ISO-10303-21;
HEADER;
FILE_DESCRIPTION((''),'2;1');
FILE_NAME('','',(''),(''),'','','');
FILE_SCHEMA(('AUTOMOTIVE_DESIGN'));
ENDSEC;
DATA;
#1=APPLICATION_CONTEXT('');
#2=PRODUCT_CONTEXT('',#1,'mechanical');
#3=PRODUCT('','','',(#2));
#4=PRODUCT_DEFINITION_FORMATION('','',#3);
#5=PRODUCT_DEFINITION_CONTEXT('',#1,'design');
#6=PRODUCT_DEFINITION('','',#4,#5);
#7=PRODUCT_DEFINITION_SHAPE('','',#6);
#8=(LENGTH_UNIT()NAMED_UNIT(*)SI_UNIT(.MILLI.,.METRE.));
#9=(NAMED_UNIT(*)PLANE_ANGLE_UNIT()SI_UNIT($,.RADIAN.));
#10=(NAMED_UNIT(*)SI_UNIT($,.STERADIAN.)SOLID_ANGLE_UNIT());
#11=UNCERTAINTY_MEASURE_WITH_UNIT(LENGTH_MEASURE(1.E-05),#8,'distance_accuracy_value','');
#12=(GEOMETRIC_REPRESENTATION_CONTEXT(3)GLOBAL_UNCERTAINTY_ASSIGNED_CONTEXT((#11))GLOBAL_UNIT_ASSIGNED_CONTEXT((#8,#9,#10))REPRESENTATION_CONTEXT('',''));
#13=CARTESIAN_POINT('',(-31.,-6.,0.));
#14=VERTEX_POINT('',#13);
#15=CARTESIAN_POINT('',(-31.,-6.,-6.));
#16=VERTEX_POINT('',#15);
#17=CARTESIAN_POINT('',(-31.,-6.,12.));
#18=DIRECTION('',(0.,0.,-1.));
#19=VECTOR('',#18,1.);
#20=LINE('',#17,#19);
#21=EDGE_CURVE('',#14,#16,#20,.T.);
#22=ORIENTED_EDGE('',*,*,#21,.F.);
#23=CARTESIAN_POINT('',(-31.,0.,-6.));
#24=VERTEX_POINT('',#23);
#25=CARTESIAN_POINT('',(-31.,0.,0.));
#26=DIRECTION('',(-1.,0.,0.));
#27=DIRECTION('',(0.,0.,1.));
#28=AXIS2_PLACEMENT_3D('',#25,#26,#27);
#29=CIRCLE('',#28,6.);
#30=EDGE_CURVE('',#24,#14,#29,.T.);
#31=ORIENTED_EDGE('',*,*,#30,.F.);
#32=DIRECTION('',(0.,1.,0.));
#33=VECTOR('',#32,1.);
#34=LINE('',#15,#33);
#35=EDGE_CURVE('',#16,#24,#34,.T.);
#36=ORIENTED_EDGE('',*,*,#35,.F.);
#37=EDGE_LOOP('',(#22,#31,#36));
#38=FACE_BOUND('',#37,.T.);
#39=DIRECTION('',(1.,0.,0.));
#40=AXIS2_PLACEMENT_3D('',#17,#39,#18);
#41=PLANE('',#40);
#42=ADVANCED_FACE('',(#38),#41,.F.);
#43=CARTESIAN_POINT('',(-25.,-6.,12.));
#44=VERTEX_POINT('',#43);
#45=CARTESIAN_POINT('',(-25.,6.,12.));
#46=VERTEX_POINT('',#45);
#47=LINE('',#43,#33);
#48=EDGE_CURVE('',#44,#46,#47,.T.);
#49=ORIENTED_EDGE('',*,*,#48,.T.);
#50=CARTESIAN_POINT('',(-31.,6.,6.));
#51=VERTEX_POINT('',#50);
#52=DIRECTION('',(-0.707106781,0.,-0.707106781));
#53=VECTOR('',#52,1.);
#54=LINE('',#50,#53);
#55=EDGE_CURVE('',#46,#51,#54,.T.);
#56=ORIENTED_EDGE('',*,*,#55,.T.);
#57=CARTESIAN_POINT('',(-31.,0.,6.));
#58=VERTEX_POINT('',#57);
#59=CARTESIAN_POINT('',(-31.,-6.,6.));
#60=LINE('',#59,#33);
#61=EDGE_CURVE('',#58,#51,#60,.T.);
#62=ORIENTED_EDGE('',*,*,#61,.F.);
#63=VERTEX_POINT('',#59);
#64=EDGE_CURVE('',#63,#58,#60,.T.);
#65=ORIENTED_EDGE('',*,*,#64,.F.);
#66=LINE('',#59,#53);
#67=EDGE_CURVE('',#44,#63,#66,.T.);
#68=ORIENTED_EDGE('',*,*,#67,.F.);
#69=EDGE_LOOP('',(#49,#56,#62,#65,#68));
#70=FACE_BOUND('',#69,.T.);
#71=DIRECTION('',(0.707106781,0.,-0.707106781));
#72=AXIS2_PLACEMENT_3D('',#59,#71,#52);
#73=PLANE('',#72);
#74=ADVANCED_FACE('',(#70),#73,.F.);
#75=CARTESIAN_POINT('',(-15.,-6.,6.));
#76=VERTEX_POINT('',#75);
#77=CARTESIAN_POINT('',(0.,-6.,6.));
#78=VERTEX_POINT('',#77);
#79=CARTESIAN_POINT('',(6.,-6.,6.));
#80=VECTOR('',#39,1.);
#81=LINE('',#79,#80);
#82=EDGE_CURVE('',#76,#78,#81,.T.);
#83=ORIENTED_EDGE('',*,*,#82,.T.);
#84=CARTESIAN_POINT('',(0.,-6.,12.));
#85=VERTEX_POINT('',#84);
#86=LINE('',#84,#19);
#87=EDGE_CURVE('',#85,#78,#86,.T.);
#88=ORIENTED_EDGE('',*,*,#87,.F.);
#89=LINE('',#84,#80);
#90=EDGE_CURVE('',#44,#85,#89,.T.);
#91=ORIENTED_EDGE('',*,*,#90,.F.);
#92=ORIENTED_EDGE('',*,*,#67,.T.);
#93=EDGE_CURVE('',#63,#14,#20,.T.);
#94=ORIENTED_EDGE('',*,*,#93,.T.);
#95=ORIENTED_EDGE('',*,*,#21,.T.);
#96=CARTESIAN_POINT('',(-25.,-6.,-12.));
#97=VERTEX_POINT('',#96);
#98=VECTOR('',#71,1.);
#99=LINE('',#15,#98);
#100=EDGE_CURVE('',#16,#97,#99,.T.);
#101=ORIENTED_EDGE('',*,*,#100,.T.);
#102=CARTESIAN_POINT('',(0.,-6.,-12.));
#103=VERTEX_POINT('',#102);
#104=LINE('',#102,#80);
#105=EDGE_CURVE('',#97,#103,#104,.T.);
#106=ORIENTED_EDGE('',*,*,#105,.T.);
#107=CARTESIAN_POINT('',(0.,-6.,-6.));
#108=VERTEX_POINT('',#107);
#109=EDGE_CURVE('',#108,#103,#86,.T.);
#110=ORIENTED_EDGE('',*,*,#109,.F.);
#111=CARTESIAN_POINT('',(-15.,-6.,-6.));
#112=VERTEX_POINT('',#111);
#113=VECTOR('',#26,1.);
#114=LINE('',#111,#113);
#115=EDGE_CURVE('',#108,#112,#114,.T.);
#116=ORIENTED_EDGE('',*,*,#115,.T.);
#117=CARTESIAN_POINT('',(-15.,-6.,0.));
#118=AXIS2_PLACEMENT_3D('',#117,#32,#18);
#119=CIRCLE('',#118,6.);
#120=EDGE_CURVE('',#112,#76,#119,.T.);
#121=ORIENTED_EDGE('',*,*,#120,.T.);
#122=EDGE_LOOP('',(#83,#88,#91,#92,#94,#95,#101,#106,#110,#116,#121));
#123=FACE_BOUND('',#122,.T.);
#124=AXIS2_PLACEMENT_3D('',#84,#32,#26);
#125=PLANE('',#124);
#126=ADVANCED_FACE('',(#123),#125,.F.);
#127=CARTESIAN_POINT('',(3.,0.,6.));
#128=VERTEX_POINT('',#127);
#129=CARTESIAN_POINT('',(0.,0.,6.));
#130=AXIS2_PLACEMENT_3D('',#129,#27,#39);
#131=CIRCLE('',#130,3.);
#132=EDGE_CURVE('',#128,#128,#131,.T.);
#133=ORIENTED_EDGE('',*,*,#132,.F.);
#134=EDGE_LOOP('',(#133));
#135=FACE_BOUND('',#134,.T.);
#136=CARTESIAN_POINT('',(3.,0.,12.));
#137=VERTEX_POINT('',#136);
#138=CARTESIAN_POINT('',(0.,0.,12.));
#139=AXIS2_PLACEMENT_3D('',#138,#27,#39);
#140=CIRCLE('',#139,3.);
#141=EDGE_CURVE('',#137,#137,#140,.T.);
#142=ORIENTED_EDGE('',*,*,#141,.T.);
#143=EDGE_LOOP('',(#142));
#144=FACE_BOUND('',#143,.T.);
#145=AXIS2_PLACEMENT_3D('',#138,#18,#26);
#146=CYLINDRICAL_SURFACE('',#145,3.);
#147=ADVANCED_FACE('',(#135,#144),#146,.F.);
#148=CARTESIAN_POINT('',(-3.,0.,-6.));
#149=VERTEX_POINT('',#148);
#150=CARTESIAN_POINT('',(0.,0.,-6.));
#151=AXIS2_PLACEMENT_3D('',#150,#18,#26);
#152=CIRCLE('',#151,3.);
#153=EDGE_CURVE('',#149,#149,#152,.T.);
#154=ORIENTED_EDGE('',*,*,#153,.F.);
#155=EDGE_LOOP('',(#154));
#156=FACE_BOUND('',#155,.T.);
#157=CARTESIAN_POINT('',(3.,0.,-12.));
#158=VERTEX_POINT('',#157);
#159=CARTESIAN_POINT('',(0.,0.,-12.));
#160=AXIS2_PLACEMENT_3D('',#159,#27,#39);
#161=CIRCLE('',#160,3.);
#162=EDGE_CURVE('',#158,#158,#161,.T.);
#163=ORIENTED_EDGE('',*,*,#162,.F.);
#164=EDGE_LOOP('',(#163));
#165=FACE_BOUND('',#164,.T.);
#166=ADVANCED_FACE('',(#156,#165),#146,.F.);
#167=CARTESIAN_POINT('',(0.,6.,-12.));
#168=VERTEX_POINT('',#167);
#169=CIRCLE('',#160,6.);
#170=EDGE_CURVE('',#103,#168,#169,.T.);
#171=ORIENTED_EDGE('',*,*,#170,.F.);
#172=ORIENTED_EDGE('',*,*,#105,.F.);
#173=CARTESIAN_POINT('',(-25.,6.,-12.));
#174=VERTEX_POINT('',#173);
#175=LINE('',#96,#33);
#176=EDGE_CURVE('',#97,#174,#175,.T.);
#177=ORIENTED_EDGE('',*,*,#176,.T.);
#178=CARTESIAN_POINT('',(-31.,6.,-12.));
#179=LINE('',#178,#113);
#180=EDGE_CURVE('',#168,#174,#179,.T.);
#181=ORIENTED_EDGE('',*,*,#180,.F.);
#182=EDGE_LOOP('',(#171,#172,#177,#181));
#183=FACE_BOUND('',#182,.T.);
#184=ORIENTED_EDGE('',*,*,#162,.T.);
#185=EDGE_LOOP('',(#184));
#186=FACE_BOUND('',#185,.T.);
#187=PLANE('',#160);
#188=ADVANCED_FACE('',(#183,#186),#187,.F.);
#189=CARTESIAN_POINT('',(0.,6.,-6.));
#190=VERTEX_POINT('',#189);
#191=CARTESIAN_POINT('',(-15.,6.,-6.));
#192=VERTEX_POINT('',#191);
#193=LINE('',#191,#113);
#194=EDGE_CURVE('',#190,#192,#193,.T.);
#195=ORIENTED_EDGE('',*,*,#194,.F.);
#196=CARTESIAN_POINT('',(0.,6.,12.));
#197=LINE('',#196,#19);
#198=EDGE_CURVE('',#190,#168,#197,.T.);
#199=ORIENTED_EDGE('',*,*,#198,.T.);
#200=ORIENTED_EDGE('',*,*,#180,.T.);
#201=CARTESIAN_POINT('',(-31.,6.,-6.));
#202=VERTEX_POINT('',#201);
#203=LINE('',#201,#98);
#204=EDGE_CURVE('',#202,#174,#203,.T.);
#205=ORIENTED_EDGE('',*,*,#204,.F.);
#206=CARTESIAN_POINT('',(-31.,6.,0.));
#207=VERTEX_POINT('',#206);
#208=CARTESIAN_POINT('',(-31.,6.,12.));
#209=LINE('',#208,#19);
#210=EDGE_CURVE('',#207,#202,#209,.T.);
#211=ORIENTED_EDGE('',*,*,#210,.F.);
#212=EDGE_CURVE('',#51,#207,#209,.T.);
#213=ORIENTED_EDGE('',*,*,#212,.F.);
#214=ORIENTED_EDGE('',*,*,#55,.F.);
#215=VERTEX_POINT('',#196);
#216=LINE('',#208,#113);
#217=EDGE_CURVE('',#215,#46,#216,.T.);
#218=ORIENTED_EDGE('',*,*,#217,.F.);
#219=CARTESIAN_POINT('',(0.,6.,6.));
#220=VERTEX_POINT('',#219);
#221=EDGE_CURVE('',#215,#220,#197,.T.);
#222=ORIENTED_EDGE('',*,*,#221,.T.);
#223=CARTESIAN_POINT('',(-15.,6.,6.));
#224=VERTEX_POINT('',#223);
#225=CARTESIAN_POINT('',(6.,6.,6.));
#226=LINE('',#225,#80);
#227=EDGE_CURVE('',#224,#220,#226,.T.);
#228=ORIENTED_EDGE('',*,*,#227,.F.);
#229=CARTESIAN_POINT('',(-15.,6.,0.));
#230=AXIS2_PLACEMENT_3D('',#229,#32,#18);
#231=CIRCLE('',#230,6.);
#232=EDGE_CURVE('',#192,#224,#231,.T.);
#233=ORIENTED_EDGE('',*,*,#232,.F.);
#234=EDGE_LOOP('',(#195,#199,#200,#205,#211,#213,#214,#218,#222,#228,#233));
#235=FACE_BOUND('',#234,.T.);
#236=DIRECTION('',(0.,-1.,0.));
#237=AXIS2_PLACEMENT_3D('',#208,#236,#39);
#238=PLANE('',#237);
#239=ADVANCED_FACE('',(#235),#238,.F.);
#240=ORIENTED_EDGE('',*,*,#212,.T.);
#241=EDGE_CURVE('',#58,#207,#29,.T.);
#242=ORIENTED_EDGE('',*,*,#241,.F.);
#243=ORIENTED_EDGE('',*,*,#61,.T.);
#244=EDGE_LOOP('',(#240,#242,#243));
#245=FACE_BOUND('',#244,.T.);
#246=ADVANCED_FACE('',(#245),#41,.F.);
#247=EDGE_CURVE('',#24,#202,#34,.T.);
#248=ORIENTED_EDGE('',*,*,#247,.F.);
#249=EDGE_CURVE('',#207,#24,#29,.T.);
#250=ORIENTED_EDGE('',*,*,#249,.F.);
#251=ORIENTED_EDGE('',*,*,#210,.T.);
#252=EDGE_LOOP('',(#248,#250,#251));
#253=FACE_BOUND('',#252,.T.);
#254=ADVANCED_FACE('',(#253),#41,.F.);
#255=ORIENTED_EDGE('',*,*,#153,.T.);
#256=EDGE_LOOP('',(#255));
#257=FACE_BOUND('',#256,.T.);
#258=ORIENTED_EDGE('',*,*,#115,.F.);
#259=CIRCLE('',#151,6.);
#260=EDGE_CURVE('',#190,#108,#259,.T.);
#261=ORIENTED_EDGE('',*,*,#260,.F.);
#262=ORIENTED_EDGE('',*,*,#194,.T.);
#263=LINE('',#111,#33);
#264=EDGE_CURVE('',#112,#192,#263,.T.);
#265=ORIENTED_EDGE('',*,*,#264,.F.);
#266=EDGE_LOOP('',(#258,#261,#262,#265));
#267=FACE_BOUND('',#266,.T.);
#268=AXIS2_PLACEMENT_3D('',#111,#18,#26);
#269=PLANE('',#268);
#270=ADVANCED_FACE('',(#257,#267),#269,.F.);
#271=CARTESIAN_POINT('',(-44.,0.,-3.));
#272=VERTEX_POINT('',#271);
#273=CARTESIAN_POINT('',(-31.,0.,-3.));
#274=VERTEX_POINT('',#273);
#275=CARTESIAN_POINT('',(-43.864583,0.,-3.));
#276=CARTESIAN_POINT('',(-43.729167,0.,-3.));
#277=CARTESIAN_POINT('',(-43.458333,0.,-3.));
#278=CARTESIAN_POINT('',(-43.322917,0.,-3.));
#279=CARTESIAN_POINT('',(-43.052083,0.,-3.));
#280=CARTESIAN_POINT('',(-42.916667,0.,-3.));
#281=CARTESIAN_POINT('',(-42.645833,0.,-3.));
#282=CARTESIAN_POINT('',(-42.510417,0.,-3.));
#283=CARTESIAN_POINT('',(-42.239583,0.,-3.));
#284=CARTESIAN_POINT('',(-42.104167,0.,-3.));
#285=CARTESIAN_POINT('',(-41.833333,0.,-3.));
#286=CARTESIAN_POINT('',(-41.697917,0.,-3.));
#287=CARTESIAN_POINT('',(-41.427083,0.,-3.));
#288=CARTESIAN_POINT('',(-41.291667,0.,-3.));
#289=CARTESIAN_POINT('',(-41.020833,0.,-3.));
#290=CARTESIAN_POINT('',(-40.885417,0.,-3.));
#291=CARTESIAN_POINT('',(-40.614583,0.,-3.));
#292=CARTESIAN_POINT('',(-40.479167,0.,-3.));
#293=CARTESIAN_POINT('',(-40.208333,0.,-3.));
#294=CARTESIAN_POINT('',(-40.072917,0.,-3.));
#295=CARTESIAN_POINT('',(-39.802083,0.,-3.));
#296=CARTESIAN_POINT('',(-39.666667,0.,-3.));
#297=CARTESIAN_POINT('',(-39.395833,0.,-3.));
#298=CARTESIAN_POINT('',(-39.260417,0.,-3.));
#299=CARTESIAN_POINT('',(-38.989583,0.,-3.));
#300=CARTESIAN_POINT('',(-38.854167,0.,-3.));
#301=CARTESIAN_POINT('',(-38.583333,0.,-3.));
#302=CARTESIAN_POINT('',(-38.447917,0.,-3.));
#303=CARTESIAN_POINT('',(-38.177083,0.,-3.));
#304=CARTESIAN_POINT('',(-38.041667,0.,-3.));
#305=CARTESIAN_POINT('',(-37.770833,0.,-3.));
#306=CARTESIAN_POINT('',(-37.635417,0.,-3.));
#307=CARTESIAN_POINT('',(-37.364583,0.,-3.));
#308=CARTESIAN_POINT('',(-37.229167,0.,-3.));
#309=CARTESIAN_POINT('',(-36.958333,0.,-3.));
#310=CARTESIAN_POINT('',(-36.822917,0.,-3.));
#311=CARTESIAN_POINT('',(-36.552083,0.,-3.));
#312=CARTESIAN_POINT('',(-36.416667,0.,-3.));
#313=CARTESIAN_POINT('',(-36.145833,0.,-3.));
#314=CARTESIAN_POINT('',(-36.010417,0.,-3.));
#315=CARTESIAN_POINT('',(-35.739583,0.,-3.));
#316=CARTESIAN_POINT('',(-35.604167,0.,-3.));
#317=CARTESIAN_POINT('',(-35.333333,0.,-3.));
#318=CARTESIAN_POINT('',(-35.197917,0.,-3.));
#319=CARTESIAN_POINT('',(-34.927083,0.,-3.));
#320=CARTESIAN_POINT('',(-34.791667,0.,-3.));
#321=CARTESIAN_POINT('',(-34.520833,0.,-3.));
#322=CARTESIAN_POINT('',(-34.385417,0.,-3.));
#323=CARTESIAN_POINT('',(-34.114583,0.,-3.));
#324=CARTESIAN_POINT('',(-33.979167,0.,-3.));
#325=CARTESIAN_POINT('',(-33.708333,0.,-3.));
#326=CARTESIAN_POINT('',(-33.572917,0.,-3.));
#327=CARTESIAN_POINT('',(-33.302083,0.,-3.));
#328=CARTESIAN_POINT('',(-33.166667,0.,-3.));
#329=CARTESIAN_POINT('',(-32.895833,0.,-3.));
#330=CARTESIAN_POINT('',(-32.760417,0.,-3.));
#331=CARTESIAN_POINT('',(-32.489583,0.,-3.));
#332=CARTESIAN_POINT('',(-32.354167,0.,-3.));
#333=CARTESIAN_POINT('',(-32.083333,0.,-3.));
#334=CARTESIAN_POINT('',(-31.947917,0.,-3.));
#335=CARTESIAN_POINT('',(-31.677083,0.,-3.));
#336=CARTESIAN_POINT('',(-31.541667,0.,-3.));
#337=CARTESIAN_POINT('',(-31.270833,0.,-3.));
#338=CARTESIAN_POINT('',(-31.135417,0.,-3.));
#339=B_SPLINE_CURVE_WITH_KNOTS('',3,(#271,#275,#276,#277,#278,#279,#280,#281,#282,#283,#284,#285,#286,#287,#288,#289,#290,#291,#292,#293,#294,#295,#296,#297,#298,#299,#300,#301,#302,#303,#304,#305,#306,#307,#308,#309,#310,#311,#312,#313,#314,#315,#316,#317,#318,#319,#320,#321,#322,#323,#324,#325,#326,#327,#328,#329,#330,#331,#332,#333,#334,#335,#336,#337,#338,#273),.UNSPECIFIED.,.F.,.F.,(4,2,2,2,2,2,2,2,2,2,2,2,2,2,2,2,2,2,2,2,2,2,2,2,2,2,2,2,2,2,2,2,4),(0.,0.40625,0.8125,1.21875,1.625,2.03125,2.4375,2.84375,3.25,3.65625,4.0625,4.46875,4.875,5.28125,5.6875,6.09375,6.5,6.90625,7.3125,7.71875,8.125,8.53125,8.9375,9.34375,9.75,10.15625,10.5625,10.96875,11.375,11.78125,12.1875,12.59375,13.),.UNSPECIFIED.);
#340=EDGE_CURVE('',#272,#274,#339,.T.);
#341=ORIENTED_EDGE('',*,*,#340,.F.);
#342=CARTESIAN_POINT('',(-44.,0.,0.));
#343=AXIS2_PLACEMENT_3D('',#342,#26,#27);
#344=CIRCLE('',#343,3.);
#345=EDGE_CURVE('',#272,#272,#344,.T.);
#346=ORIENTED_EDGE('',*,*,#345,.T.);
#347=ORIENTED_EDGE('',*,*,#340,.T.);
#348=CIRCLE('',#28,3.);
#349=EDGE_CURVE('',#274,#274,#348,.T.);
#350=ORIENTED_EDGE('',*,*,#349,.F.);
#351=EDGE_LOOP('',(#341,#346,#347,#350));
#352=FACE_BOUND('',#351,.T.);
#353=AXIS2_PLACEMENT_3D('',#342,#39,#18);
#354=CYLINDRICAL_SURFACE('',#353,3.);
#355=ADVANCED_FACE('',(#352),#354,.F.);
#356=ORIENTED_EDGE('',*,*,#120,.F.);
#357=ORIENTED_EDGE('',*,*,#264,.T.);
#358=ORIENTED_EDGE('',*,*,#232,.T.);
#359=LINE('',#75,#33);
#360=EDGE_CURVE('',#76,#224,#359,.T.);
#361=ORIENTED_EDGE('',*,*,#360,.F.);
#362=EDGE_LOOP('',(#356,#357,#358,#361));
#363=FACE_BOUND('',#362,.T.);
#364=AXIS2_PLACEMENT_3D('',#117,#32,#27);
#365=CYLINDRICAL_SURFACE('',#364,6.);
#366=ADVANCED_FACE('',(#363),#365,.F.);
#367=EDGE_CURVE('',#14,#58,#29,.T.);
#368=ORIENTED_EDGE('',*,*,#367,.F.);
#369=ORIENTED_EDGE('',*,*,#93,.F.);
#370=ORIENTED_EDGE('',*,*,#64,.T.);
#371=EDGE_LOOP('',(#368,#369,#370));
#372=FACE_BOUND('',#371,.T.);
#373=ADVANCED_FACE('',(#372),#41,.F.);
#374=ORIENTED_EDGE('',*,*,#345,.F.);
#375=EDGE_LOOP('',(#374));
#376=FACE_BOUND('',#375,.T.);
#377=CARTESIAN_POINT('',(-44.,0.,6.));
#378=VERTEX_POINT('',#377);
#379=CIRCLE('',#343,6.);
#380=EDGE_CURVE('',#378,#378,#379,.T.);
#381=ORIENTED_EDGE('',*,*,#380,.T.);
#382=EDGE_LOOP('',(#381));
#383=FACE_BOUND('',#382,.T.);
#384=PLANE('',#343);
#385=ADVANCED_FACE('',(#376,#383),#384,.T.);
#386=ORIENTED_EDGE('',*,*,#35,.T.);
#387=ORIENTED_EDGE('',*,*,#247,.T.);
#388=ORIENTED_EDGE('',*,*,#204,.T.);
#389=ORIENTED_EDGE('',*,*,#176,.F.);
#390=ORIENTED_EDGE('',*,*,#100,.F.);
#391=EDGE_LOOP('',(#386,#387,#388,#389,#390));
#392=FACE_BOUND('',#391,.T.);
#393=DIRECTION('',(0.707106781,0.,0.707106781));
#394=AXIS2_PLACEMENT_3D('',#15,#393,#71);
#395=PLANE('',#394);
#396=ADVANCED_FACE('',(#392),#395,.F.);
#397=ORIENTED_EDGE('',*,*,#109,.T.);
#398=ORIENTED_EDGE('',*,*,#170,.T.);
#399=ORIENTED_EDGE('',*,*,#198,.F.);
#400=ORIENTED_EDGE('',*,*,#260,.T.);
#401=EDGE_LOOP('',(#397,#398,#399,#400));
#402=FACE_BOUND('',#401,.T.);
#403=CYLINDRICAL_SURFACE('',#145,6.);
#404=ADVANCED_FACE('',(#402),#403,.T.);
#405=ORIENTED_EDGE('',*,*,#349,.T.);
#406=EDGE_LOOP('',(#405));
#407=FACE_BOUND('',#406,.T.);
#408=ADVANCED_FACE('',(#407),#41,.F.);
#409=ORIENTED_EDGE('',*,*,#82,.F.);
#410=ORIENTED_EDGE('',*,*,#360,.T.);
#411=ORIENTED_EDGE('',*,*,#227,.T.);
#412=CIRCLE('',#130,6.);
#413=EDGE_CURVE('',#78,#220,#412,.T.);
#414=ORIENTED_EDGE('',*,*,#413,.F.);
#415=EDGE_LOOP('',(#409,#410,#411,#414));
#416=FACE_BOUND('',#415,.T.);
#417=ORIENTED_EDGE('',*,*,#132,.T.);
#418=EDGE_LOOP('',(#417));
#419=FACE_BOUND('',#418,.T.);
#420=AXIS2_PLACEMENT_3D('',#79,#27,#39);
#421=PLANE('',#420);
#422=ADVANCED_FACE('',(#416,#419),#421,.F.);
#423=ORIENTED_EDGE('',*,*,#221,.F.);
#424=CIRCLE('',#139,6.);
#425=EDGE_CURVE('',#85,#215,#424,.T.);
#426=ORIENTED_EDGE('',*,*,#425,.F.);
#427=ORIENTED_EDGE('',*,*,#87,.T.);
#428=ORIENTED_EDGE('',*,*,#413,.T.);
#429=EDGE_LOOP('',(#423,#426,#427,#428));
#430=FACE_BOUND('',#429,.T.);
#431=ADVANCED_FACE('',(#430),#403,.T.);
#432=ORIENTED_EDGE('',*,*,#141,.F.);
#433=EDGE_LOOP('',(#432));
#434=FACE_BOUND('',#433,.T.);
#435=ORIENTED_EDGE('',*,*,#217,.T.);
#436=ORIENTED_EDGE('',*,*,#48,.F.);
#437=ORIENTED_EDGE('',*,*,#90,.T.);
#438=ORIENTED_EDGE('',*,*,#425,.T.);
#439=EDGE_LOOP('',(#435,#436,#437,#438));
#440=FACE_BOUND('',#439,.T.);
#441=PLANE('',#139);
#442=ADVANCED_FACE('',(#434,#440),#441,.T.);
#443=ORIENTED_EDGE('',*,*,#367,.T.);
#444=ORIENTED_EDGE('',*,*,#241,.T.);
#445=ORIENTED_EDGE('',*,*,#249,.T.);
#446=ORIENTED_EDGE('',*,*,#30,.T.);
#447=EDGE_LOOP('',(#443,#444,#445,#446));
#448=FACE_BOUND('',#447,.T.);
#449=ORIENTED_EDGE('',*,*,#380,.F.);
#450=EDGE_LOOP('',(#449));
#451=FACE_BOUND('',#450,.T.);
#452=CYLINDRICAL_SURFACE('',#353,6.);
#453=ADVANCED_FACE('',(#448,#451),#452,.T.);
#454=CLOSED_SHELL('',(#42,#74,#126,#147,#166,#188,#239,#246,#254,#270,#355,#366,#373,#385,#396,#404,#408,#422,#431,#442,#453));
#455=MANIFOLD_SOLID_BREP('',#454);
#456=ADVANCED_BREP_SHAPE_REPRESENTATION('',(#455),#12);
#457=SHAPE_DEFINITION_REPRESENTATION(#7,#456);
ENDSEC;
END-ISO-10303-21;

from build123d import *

# Parameters (mm, degrees)
SKETCH1_R               = 3
BOSS_EXTRUDE1_DEPTH     = 12
CUT_EXTRUDE1_DEPTH      = 34.778691508
CUT_EXTRUDE1_DEPTH_BACK = 34.778691508
SKETCH3_R               = 6
SKETCH3_R_2             = 3
BOSS_EXTRUDE2_DEPTH     = 13


with BuildPart() as part:
    # Sketch1 → Boss-Extrude1 (new, symmetric)
    with BuildSketch(Plane.XY):
        with BuildLine():
            Line((0, -6), (-31, -6))
            Line((-31, -6), (-31, 6))
            Line((-31, 6), (0, 6))
            ThreePointArc((0, 6), (6, 0), (0, -6))
        make_face()
        Circle(SKETCH1_R, mode=Mode.SUBTRACT)
    extrude(amount=BOSS_EXTRUDE1_DEPTH, both=True)

    # Sketch2 → Cut-Extrude1 (cut, two sides: drawn at the far end of the back side and taken through both)
    with BuildSketch(Plane(origin=(0, 0, 0), x_dir=(1, 0, 0), z_dir=(0, 1, 0)).offset(-CUT_EXTRUDE1_DEPTH_BACK)):
        with BuildLine():
            Line((-15, 6), (6, 6))
            Line((6, 6), (6, -6))
            Line((6, -6), (-15, -6))
            ThreePointArc((-15, -6), (-21, 0), (-15, 6))
        make_face()
        Polygon((-31, 6), (-25, 12), (-31, 12), align=None)
        Polygon((-31, -12), (-31, -6), (-25, -12), align=None)
    extrude(amount=CUT_EXTRUDE1_DEPTH + CUT_EXTRUDE1_DEPTH_BACK, mode=Mode.SUBTRACT)

    # Sketch3 → Boss-Extrude2 (add)
    with BuildSketch(Plane.ZY.offset(31)):
        Circle(SKETCH3_R)
        with Locations(Location((0, 0, 0), (0, 0, 180))):
            Circle(SKETCH3_R_2, mode=Mode.SUBTRACT)
    extrude(amount=BOSS_EXTRUDE2_DEPTH)


solid = part.part
